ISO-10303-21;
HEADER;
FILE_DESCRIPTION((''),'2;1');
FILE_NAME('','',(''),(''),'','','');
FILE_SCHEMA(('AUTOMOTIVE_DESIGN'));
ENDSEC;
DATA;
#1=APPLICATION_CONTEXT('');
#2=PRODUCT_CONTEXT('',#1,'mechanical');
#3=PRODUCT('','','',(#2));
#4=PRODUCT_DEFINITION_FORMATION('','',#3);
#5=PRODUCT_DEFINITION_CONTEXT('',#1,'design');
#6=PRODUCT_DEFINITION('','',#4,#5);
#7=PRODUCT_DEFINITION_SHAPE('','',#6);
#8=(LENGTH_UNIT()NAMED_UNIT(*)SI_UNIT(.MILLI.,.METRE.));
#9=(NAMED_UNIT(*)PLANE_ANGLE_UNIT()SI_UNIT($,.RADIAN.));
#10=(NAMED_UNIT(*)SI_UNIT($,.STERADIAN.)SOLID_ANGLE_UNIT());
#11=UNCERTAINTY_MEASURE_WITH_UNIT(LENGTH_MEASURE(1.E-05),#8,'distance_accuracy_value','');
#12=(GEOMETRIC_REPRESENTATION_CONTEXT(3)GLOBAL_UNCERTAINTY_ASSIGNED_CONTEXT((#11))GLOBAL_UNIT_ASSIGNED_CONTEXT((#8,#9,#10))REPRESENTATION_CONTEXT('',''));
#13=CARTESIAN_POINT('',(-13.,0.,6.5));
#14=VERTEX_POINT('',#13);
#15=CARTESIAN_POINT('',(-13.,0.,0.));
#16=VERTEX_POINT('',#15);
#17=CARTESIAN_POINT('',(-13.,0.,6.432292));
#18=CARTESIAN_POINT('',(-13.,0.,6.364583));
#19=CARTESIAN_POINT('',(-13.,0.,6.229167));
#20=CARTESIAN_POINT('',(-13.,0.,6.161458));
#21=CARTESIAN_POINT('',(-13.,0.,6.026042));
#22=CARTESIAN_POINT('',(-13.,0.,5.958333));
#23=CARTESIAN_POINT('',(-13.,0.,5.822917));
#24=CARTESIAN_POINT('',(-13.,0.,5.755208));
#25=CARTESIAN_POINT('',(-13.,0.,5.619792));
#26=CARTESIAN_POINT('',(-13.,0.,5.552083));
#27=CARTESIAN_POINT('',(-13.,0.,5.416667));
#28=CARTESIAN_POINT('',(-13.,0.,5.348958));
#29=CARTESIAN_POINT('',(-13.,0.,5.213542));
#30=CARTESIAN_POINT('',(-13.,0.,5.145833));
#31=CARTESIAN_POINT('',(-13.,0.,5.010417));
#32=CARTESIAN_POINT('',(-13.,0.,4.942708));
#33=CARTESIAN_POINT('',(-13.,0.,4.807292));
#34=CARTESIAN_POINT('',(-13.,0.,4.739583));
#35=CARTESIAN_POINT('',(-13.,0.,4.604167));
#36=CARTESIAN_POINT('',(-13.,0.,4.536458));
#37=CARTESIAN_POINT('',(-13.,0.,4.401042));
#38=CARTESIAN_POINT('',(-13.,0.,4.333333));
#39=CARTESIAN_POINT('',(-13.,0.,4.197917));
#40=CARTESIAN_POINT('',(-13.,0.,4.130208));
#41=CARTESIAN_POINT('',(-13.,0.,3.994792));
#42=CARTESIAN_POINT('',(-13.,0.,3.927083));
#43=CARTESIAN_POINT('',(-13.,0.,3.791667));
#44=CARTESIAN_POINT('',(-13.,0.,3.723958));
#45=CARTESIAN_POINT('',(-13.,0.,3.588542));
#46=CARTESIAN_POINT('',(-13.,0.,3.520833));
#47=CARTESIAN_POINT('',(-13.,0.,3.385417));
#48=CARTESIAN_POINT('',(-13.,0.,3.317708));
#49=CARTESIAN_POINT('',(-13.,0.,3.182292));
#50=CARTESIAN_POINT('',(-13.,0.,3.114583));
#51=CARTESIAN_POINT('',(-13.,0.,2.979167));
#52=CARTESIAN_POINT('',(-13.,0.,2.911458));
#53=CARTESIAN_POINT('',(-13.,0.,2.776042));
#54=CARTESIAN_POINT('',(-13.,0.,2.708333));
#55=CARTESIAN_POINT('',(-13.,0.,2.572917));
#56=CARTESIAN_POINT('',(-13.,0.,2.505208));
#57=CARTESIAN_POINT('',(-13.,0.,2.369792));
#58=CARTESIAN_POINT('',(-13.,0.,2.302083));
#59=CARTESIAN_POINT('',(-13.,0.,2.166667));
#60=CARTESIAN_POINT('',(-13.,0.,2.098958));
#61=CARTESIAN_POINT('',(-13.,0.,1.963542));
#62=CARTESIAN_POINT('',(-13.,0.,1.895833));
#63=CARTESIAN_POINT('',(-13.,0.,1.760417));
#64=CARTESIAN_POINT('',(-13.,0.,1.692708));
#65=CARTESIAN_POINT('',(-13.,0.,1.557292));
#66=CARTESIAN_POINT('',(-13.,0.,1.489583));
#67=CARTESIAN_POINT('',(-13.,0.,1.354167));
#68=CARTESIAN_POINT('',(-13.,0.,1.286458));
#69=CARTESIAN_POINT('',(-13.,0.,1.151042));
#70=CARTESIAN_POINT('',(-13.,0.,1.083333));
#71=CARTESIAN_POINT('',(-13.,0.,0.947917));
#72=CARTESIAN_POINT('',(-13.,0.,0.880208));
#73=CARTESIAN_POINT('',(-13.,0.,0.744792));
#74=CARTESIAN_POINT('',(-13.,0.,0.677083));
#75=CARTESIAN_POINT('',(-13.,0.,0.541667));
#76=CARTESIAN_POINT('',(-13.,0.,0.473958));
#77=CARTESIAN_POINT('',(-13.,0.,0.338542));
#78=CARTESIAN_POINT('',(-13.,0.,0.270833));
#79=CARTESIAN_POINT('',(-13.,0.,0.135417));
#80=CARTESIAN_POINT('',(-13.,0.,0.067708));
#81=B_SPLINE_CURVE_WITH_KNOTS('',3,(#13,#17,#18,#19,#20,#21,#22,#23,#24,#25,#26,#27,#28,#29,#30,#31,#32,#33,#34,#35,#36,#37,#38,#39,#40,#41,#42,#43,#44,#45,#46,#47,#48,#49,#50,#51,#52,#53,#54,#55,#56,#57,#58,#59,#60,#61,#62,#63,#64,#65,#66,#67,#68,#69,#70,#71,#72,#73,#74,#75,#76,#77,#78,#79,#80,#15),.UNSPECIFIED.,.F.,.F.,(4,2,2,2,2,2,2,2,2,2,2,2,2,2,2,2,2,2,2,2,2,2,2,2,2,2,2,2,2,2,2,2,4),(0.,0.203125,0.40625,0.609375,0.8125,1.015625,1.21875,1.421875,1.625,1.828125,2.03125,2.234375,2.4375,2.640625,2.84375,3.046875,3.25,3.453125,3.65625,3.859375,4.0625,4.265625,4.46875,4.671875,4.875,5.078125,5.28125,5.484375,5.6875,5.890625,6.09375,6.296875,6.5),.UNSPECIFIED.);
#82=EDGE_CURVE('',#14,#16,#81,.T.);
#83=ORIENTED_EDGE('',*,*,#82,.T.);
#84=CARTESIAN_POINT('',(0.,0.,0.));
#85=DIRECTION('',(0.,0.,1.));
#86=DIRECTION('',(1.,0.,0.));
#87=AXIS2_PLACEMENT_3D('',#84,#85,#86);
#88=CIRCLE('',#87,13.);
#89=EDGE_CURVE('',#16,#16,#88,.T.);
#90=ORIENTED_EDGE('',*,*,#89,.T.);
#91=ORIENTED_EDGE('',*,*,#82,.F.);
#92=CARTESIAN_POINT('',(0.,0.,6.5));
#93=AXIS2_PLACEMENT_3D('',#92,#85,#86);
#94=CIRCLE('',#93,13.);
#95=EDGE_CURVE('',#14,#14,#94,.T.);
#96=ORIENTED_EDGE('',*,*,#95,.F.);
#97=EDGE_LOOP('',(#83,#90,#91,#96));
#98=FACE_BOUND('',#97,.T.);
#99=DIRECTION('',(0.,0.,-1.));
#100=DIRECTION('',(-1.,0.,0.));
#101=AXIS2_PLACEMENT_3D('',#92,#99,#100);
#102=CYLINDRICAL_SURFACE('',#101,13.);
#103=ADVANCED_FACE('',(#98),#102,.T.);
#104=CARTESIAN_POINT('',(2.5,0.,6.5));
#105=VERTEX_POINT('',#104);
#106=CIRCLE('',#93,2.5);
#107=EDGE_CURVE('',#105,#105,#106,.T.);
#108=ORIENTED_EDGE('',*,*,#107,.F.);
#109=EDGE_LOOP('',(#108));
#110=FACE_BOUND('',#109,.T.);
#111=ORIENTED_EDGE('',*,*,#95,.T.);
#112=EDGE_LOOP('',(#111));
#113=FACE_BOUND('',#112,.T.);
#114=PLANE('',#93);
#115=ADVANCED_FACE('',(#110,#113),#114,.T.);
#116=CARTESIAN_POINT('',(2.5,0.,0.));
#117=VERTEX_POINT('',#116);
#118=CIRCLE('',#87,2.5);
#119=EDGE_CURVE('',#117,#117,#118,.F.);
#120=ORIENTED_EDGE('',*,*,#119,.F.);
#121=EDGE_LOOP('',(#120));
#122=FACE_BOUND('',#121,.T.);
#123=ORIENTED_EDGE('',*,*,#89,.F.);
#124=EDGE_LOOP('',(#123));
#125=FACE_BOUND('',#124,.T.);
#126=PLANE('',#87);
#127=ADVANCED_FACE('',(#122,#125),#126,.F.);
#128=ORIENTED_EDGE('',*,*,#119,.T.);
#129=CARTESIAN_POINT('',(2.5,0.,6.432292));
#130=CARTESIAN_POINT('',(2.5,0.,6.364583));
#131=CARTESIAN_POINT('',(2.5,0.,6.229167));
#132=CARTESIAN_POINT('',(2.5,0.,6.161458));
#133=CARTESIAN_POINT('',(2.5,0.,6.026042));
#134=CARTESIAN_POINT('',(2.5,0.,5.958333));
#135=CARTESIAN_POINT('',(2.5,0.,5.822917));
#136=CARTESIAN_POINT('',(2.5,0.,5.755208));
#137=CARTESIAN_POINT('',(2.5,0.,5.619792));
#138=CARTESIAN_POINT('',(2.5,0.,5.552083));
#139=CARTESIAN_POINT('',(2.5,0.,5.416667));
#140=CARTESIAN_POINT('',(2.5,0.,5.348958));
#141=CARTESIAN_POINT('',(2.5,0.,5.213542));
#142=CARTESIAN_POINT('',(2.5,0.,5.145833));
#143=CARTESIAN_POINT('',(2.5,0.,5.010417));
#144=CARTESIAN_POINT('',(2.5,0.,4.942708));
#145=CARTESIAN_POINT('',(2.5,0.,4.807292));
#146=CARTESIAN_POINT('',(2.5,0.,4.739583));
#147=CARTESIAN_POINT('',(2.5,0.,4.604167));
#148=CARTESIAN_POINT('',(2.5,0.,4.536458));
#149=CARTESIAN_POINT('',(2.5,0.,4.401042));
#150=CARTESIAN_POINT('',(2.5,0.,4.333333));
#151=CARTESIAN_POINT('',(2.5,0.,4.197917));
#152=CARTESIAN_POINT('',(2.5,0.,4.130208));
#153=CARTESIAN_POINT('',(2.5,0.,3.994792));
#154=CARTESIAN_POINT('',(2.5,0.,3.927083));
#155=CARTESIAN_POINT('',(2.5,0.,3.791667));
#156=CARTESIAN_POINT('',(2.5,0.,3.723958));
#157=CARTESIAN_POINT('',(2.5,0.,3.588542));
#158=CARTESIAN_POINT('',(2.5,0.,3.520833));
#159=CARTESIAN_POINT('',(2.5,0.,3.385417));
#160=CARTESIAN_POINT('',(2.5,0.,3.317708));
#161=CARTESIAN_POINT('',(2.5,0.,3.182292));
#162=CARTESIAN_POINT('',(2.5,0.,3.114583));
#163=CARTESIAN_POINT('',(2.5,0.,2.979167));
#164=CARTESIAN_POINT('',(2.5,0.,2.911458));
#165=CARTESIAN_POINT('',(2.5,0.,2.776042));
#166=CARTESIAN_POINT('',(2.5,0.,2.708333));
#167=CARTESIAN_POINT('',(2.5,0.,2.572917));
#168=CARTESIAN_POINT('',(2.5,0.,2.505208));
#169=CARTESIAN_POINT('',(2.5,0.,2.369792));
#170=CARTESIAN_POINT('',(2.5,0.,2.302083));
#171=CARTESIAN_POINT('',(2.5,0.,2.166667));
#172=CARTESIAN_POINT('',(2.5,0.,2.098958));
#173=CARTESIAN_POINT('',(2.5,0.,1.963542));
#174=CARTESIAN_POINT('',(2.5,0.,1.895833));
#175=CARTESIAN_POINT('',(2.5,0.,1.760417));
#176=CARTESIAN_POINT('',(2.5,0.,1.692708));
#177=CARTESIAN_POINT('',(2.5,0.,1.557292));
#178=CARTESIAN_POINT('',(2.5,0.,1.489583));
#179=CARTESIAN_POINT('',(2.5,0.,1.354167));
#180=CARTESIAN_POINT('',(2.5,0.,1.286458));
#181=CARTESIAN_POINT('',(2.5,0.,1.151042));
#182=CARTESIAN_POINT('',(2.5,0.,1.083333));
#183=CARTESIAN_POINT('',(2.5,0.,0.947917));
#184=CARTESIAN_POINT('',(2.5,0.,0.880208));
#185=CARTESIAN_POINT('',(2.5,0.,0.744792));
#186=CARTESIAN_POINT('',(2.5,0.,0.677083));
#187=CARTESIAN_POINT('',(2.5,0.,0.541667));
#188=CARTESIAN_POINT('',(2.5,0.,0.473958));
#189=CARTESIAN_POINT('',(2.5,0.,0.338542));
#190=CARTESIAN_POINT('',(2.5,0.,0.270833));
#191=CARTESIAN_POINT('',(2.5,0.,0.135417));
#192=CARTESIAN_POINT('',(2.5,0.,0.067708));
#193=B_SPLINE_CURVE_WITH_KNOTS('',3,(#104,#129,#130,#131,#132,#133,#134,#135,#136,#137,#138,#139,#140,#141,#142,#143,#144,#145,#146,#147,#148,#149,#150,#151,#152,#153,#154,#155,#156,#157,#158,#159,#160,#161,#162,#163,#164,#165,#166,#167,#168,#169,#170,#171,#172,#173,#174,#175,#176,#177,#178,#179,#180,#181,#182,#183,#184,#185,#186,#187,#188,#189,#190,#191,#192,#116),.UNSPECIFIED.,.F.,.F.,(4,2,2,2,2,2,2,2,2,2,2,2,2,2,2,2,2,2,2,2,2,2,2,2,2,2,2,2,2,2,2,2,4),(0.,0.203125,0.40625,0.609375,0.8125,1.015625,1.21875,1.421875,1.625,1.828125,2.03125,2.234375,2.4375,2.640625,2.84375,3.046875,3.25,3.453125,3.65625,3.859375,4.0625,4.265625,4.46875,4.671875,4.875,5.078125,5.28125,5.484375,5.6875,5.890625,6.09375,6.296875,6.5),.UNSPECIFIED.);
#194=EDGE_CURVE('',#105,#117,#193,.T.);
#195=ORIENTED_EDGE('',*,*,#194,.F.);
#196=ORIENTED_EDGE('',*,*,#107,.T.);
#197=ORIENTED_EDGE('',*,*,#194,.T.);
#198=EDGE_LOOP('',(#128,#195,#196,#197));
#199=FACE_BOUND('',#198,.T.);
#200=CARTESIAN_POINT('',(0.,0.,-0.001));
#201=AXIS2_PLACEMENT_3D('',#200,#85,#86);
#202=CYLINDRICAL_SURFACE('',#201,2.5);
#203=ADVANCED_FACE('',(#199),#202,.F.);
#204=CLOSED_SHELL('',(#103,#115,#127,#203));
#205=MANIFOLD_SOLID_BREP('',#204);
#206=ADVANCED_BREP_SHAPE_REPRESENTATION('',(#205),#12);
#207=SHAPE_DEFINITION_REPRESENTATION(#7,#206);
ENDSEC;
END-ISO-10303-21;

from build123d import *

# Parameters (mm, degrees)
SKETCH1_R           = 13
BOSS_EXTRUDE1_DEPTH = 6.5
CUT_EXTRUDE1_REACH  = 21.5
SKETCH2_R           = 2.5


with BuildPart() as part:
    # Sketch1 → Boss-Extrude1 (new body)
    with BuildSketch(Plane.XY):
        with Locations(Location((0, 0, 0), (0, 0, 180))):
            Circle(SKETCH1_R)
    extrude(amount=BOSS_EXTRUDE1_DEPTH)

    # Sketch2 → Cut-Extrude1 (cut, up to next)
    with BuildSketch(Plane.XY.offset(6.5), mode=Mode.PRIVATE) as cut_extrude1_sk1:
        Circle(SKETCH2_R)
    cut_extrude1_tool1 = extrude(cut_extrude1_sk1.sketch, amount=-CUT_EXTRUDE1_REACH, mode=Mode.PRIVATE) & part.part
    add(cut_extrude1_tool1.solids().sort_by_distance((0, 0, 6.5))[0], mode=Mode.SUBTRACT)


solid = part.part
